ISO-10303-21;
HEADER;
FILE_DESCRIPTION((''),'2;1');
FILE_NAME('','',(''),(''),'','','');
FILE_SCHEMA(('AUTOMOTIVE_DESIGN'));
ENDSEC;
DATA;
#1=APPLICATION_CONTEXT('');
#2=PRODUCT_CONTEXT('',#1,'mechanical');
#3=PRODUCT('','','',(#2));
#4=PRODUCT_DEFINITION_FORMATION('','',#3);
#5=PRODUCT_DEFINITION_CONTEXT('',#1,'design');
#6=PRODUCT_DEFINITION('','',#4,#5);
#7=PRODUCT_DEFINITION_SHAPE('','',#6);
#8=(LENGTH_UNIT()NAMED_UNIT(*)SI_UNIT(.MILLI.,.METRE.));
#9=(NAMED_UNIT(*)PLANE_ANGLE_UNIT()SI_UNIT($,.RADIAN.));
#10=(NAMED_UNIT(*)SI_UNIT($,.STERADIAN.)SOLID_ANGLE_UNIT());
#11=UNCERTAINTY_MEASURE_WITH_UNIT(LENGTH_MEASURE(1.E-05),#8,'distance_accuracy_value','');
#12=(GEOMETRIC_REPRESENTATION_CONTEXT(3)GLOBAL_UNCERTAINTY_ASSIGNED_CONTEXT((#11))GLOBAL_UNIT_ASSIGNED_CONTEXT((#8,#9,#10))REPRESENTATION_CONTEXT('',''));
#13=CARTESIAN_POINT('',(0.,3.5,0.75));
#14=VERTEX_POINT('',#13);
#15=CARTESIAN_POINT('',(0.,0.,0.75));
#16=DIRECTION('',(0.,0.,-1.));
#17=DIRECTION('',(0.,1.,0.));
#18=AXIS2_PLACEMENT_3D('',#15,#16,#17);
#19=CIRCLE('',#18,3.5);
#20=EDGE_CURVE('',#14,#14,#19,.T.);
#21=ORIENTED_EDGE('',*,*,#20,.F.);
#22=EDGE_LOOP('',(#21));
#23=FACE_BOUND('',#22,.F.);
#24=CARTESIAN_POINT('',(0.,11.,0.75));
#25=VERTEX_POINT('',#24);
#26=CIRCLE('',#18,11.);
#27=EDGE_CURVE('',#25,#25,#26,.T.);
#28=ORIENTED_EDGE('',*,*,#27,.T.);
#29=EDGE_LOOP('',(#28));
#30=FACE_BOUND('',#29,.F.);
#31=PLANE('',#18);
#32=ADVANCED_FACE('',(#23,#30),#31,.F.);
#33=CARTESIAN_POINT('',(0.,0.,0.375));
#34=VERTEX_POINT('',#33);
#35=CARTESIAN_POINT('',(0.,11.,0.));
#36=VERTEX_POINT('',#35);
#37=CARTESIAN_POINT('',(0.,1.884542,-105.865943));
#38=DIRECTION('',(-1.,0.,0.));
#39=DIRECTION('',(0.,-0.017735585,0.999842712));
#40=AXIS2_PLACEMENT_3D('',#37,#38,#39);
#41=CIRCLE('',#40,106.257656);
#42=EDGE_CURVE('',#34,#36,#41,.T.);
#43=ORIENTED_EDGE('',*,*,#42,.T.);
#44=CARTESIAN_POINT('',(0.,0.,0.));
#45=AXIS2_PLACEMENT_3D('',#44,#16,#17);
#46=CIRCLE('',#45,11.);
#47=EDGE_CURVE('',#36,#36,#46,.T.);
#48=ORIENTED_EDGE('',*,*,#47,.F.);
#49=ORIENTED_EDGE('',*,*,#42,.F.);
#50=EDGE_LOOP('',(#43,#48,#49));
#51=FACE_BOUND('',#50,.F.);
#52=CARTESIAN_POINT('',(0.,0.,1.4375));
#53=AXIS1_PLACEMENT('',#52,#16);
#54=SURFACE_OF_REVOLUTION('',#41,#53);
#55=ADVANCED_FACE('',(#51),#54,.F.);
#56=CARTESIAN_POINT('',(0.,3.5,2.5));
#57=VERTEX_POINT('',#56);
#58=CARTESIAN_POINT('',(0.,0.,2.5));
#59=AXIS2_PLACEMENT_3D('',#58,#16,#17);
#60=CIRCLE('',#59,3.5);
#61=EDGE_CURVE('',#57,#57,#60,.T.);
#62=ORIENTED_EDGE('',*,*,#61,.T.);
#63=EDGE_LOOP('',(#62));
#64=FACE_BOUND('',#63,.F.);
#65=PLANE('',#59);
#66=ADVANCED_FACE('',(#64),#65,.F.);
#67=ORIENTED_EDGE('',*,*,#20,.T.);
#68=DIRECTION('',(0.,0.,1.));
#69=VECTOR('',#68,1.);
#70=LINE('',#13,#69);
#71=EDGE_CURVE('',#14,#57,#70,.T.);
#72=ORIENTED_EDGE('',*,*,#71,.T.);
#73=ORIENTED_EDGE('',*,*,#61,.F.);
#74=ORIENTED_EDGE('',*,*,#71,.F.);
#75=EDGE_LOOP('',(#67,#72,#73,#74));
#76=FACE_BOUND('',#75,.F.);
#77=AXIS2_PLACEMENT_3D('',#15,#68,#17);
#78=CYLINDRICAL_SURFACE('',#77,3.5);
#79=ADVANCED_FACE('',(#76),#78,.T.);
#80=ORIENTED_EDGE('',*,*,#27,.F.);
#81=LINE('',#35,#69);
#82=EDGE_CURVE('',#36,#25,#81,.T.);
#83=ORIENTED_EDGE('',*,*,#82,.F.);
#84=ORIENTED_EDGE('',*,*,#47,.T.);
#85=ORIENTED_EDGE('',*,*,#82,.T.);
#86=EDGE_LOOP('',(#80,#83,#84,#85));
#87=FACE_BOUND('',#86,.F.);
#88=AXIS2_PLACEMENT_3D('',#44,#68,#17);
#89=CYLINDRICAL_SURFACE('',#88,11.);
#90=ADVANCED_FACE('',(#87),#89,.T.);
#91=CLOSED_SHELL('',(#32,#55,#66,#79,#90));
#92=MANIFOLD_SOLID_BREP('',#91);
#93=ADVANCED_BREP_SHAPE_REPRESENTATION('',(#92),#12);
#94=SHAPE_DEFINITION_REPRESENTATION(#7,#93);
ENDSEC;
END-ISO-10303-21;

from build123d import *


with BuildPart() as f1:
    # F0 (on Right) → F1 (revolve)
    with BuildSketch(Plane.YZ):
        with BuildLine():
            Line((3.5, 2.5), (0, 2.5))
            Line((0, 2.5), (0, 0.375))
            ThreePointArc((0, 0.375), (5.504859, 0.330021), (11, 0))
            Line((11, 0), (11, 0.75))
            Line((11, 0.75), (3.5, 0.75))
            Line((3.5, 0.75), (3.5, 2.5))
        make_face()
    revolve(axis=Axis((0, 0, 1.4375), (0, 0, -1)))


solid = f1.part
